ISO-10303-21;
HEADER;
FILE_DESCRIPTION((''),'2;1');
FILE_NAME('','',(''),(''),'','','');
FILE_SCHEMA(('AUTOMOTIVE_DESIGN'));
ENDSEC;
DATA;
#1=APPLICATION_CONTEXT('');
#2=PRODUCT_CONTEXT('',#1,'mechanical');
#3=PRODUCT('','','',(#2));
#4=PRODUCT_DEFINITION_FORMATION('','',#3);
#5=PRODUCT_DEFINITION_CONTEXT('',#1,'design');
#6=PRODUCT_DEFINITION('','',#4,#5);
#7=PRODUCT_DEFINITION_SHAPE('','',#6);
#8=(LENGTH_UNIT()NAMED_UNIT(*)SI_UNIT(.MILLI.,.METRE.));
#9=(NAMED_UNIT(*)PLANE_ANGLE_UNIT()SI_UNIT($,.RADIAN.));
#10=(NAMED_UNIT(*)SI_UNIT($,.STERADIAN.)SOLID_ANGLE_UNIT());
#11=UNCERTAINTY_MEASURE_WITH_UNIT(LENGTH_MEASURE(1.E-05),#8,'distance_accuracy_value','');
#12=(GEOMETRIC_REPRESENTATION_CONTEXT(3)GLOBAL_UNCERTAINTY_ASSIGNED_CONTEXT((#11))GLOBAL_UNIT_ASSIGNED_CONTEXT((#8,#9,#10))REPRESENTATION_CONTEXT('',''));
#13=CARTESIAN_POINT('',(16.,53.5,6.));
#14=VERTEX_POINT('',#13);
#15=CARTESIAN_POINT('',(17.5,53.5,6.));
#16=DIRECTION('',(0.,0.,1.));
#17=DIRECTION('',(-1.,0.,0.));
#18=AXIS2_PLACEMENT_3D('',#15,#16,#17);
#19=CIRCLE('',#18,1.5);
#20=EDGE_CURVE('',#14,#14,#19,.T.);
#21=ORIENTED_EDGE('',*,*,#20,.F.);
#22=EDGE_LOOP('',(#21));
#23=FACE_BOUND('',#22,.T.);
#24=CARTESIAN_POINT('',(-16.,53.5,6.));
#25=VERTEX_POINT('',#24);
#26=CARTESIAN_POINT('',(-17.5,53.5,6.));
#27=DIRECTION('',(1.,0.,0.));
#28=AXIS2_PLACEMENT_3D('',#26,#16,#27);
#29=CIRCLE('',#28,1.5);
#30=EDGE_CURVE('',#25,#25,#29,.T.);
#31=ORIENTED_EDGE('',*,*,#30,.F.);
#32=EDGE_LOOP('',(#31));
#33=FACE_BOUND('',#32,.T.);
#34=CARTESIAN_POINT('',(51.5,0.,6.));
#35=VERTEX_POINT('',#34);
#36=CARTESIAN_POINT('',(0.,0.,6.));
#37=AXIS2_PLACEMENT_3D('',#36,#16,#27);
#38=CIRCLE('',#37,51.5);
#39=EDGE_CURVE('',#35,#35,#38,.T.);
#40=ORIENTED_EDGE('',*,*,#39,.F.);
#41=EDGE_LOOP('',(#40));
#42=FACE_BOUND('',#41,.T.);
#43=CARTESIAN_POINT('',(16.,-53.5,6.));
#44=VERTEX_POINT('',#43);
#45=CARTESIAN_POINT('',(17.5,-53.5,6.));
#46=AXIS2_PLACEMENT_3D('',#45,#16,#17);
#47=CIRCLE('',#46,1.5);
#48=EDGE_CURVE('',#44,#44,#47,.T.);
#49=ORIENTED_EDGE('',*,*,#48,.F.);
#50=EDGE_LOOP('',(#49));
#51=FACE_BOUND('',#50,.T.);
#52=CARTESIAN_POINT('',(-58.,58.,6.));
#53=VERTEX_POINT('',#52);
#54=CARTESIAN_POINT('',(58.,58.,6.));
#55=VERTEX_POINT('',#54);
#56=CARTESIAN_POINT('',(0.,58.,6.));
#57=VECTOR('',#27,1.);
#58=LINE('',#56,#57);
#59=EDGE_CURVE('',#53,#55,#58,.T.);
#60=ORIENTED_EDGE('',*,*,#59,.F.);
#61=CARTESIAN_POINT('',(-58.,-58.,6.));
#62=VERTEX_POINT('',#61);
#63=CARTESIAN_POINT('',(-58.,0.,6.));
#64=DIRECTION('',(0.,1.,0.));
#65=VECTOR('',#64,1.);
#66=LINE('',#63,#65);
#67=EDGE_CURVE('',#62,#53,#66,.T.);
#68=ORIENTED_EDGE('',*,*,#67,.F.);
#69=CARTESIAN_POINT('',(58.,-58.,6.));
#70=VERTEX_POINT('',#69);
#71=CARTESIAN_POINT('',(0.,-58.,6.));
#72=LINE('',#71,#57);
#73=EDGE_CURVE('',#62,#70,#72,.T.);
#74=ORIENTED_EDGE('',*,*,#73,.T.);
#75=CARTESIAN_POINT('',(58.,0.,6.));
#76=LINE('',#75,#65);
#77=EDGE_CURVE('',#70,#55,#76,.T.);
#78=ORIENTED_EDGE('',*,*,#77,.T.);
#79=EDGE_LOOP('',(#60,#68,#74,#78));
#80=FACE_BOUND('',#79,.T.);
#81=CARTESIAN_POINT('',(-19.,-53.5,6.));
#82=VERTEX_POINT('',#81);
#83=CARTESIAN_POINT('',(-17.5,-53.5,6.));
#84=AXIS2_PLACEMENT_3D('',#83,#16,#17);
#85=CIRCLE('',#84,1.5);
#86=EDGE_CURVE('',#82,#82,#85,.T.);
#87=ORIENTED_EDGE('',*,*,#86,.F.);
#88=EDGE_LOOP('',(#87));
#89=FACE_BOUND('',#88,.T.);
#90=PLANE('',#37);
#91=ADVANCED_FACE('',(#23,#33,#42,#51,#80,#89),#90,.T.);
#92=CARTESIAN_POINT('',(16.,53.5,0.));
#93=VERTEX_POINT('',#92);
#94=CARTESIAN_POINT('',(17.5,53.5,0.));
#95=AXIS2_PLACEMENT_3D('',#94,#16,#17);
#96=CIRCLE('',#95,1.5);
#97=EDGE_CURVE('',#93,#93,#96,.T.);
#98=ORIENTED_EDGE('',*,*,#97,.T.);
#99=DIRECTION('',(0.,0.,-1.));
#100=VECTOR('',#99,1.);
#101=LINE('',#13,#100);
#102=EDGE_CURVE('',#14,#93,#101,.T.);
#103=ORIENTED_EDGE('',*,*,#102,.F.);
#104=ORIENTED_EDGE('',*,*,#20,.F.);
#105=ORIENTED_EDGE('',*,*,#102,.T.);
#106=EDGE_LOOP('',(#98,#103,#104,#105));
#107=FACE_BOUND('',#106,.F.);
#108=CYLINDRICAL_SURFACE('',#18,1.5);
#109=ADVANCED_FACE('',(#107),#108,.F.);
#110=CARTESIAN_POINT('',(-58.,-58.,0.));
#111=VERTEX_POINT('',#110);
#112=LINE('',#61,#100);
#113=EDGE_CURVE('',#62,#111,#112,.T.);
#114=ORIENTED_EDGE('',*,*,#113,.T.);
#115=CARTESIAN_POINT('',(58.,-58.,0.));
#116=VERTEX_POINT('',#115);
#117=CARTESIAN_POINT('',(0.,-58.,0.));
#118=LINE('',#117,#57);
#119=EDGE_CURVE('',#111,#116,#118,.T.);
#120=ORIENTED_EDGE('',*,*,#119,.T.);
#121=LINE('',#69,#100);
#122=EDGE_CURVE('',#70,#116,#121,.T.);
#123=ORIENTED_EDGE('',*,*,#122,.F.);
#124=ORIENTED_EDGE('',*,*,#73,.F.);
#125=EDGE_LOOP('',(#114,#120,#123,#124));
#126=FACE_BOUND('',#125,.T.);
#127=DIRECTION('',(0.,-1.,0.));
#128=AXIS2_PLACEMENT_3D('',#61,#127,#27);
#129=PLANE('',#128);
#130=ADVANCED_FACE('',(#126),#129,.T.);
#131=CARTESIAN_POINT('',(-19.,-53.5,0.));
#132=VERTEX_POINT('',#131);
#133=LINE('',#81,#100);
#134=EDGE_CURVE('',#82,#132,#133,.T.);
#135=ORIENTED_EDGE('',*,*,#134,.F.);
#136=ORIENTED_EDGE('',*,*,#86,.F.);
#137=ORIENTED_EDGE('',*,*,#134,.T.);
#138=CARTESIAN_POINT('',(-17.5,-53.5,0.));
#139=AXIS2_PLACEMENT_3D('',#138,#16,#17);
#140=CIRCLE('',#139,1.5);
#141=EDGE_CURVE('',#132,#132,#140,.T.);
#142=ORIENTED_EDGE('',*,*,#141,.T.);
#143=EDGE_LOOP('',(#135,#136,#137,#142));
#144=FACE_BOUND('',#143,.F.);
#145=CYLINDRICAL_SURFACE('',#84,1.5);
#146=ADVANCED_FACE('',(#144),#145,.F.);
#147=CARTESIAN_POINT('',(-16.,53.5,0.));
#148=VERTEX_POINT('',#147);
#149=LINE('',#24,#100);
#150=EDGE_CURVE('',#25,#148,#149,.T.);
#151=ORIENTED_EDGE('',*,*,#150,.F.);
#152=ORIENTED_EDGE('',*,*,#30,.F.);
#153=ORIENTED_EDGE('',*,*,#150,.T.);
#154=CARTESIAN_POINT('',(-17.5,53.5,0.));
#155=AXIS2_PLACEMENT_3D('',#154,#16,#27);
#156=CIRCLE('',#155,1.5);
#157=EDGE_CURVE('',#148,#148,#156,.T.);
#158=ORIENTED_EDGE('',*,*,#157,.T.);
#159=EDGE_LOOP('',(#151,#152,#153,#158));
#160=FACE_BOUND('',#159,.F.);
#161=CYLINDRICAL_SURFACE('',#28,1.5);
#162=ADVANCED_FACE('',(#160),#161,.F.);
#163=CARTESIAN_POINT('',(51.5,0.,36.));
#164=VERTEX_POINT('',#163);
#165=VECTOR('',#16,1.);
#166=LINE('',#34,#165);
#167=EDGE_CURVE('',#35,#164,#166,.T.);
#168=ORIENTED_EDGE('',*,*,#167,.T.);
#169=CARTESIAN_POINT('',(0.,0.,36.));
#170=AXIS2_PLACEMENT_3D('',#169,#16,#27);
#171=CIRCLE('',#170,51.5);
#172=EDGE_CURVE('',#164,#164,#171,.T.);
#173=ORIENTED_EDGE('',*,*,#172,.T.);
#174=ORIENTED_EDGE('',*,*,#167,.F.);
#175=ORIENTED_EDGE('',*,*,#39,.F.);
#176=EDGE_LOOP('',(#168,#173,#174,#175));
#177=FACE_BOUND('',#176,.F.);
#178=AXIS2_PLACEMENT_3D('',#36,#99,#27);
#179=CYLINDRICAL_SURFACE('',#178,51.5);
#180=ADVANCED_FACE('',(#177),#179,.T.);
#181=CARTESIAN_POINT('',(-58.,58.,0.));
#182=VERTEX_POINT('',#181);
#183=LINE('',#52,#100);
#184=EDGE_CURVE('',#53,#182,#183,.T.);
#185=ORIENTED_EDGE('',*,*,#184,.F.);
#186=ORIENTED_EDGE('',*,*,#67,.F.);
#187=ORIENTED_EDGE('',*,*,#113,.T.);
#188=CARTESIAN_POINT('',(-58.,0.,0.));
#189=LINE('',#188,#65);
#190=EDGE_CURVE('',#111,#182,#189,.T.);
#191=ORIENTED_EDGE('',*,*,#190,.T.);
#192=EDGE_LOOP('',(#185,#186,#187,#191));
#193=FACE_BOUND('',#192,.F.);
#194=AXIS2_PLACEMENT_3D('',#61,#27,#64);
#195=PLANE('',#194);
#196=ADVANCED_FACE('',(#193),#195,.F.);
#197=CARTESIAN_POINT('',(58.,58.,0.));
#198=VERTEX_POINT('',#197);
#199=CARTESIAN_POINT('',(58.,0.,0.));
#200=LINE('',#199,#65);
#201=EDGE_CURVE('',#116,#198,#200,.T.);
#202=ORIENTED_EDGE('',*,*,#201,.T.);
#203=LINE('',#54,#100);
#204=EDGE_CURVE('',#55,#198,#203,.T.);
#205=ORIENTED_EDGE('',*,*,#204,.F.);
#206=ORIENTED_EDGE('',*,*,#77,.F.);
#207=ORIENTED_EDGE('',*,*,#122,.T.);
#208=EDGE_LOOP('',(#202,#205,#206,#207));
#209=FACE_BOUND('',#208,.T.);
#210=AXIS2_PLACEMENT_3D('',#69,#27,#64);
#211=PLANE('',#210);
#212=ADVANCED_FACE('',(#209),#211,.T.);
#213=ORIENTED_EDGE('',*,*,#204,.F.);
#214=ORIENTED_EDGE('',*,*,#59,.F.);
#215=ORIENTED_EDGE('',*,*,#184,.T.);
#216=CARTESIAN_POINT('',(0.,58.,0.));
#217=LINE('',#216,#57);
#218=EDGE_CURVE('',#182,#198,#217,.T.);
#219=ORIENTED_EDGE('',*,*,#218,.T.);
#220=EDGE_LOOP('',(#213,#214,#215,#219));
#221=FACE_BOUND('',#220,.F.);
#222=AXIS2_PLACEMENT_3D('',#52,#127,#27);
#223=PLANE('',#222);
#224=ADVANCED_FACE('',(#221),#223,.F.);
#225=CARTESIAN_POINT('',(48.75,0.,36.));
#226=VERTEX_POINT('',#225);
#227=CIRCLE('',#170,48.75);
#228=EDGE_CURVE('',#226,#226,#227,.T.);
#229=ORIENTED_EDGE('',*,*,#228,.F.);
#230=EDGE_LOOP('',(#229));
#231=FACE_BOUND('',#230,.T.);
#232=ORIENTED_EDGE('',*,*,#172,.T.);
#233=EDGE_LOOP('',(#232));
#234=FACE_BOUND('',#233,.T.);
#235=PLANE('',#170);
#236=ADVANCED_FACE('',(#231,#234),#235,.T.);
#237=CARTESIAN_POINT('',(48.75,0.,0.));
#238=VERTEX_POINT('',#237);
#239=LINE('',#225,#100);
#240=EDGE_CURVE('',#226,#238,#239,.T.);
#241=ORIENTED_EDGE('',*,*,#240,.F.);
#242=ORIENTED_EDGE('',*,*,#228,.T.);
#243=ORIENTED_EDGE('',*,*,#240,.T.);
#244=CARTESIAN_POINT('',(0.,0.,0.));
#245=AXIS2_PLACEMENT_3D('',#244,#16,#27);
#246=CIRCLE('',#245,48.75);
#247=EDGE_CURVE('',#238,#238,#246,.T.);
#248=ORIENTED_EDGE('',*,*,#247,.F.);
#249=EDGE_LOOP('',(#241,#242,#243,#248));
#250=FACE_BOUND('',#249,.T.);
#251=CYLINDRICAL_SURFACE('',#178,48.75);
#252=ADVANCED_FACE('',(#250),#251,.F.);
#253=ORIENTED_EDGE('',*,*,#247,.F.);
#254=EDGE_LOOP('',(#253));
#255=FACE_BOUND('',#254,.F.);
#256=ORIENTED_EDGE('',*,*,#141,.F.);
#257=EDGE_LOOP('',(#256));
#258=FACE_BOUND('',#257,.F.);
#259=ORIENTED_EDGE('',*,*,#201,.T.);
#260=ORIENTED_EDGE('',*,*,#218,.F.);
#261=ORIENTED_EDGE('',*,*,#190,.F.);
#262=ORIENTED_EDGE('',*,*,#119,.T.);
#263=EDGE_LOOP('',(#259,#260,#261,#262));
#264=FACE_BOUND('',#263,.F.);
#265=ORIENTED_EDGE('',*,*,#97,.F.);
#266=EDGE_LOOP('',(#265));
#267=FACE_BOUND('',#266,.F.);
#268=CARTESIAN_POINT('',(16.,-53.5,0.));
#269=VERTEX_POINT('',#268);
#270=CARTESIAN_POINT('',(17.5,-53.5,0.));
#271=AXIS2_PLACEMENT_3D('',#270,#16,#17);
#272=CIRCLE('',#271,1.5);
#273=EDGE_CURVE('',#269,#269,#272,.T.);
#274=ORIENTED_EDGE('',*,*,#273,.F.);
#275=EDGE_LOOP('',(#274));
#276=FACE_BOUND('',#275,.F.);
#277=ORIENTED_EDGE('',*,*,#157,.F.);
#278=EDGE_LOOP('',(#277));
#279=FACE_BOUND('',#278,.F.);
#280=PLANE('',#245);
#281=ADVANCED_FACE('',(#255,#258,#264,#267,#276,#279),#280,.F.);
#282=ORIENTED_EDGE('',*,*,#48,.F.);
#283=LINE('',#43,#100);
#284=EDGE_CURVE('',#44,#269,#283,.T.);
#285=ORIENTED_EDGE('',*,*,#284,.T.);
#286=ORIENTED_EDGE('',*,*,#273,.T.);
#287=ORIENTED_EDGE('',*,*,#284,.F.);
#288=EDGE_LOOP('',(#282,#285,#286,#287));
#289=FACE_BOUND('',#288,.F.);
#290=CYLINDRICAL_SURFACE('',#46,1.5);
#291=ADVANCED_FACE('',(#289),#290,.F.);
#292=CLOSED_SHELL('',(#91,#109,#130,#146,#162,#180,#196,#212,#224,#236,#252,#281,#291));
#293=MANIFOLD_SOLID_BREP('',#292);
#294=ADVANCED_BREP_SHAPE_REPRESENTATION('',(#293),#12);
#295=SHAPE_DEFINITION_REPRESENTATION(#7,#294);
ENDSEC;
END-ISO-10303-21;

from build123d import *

# Parameters (mm, degrees)
F1_W     = 116
F1_H     = 116
F1_R     = 51.5
F1_R_2   = 48.75
F2_DEPTH = 6
F3_DEPTH = 30
F4_DEPTH = 6
F5_DEPTH = 6


with BuildPart() as f2:
    # F1 (on Top) → F2 (new body)
    with BuildSketch(Plane.XY):
        Rectangle(F1_W, F1_H)
        Circle(F1_R, mode=Mode.SUBTRACT)
        Circle(F1_R)
        Circle(F1_R_2, mode=Mode.SUBTRACT)
    extrude(amount=-F2_DEPTH)

    # F1 (on Top) → F3 (join)
    with BuildSketch(Plane.XY):
        Circle(F1_R)
        Circle(F1_R_2, mode=Mode.SUBTRACT)
    extrude(amount=F3_DEPTH)

    # F0 (on Top) → F4 (cut)
    with BuildSketch(Plane.XY):
        with BuildLine():
            Line((16, 53.5), (19, 53.5))
            ThreePointArc((19, 53.5), (17.5, 55), (16, 53.5))
        make_face()
        with BuildLine():
            ThreePointArc((16, 53.5), (17.5, 52), (19, 53.5))
            Line((19, 53.5), (16, 53.5))
        make_face()
    extrude(amount=-F4_DEPTH, mode=Mode.SUBTRACT)

    # F0 (on Top) → F5 (cut)
    with BuildSketch(Plane.XY):
        with BuildLine():
            Line((16, -53.5), (19, -53.5))
            ThreePointArc((19, -53.5), (17.5, -52), (16, -53.5))
        make_face()
        with BuildLine():
            ThreePointArc((16, -53.5), (17.5, -55), (19, -53.5))
            Line((19, -53.5), (16, -53.5))
        make_face()
        with BuildLine():
            Line((-19, -53.5), (-16, -53.5))
            ThreePointArc((-16, -53.5), (-17.5, -52), (-19, -53.5))
        make_face()
        with BuildLine():
            ThreePointArc((-19, -53.5), (-17.5, -55), (-16, -53.5))
            Line((-16, -53.5), (-19, -53.5))
        make_face()
        with BuildLine():
            ThreePointArc((-19, 53.5), (-17.5, 52), (-16, 53.5))
            Line((-16, 53.5), (-19, 53.5))
        make_face()
        with BuildLine():
            Line((-19, 53.5), (-16, 53.5))
            ThreePointArc((-16, 53.5), (-17.5, 55), (-19, 53.5))
        make_face()
    extrude(amount=-F5_DEPTH, mode=Mode.SUBTRACT)


with BuildPart() as f2_1:
    # F6: moved
    add(f2.part.moved(Location((0, 0, 6))))


solid = f2_1.part
